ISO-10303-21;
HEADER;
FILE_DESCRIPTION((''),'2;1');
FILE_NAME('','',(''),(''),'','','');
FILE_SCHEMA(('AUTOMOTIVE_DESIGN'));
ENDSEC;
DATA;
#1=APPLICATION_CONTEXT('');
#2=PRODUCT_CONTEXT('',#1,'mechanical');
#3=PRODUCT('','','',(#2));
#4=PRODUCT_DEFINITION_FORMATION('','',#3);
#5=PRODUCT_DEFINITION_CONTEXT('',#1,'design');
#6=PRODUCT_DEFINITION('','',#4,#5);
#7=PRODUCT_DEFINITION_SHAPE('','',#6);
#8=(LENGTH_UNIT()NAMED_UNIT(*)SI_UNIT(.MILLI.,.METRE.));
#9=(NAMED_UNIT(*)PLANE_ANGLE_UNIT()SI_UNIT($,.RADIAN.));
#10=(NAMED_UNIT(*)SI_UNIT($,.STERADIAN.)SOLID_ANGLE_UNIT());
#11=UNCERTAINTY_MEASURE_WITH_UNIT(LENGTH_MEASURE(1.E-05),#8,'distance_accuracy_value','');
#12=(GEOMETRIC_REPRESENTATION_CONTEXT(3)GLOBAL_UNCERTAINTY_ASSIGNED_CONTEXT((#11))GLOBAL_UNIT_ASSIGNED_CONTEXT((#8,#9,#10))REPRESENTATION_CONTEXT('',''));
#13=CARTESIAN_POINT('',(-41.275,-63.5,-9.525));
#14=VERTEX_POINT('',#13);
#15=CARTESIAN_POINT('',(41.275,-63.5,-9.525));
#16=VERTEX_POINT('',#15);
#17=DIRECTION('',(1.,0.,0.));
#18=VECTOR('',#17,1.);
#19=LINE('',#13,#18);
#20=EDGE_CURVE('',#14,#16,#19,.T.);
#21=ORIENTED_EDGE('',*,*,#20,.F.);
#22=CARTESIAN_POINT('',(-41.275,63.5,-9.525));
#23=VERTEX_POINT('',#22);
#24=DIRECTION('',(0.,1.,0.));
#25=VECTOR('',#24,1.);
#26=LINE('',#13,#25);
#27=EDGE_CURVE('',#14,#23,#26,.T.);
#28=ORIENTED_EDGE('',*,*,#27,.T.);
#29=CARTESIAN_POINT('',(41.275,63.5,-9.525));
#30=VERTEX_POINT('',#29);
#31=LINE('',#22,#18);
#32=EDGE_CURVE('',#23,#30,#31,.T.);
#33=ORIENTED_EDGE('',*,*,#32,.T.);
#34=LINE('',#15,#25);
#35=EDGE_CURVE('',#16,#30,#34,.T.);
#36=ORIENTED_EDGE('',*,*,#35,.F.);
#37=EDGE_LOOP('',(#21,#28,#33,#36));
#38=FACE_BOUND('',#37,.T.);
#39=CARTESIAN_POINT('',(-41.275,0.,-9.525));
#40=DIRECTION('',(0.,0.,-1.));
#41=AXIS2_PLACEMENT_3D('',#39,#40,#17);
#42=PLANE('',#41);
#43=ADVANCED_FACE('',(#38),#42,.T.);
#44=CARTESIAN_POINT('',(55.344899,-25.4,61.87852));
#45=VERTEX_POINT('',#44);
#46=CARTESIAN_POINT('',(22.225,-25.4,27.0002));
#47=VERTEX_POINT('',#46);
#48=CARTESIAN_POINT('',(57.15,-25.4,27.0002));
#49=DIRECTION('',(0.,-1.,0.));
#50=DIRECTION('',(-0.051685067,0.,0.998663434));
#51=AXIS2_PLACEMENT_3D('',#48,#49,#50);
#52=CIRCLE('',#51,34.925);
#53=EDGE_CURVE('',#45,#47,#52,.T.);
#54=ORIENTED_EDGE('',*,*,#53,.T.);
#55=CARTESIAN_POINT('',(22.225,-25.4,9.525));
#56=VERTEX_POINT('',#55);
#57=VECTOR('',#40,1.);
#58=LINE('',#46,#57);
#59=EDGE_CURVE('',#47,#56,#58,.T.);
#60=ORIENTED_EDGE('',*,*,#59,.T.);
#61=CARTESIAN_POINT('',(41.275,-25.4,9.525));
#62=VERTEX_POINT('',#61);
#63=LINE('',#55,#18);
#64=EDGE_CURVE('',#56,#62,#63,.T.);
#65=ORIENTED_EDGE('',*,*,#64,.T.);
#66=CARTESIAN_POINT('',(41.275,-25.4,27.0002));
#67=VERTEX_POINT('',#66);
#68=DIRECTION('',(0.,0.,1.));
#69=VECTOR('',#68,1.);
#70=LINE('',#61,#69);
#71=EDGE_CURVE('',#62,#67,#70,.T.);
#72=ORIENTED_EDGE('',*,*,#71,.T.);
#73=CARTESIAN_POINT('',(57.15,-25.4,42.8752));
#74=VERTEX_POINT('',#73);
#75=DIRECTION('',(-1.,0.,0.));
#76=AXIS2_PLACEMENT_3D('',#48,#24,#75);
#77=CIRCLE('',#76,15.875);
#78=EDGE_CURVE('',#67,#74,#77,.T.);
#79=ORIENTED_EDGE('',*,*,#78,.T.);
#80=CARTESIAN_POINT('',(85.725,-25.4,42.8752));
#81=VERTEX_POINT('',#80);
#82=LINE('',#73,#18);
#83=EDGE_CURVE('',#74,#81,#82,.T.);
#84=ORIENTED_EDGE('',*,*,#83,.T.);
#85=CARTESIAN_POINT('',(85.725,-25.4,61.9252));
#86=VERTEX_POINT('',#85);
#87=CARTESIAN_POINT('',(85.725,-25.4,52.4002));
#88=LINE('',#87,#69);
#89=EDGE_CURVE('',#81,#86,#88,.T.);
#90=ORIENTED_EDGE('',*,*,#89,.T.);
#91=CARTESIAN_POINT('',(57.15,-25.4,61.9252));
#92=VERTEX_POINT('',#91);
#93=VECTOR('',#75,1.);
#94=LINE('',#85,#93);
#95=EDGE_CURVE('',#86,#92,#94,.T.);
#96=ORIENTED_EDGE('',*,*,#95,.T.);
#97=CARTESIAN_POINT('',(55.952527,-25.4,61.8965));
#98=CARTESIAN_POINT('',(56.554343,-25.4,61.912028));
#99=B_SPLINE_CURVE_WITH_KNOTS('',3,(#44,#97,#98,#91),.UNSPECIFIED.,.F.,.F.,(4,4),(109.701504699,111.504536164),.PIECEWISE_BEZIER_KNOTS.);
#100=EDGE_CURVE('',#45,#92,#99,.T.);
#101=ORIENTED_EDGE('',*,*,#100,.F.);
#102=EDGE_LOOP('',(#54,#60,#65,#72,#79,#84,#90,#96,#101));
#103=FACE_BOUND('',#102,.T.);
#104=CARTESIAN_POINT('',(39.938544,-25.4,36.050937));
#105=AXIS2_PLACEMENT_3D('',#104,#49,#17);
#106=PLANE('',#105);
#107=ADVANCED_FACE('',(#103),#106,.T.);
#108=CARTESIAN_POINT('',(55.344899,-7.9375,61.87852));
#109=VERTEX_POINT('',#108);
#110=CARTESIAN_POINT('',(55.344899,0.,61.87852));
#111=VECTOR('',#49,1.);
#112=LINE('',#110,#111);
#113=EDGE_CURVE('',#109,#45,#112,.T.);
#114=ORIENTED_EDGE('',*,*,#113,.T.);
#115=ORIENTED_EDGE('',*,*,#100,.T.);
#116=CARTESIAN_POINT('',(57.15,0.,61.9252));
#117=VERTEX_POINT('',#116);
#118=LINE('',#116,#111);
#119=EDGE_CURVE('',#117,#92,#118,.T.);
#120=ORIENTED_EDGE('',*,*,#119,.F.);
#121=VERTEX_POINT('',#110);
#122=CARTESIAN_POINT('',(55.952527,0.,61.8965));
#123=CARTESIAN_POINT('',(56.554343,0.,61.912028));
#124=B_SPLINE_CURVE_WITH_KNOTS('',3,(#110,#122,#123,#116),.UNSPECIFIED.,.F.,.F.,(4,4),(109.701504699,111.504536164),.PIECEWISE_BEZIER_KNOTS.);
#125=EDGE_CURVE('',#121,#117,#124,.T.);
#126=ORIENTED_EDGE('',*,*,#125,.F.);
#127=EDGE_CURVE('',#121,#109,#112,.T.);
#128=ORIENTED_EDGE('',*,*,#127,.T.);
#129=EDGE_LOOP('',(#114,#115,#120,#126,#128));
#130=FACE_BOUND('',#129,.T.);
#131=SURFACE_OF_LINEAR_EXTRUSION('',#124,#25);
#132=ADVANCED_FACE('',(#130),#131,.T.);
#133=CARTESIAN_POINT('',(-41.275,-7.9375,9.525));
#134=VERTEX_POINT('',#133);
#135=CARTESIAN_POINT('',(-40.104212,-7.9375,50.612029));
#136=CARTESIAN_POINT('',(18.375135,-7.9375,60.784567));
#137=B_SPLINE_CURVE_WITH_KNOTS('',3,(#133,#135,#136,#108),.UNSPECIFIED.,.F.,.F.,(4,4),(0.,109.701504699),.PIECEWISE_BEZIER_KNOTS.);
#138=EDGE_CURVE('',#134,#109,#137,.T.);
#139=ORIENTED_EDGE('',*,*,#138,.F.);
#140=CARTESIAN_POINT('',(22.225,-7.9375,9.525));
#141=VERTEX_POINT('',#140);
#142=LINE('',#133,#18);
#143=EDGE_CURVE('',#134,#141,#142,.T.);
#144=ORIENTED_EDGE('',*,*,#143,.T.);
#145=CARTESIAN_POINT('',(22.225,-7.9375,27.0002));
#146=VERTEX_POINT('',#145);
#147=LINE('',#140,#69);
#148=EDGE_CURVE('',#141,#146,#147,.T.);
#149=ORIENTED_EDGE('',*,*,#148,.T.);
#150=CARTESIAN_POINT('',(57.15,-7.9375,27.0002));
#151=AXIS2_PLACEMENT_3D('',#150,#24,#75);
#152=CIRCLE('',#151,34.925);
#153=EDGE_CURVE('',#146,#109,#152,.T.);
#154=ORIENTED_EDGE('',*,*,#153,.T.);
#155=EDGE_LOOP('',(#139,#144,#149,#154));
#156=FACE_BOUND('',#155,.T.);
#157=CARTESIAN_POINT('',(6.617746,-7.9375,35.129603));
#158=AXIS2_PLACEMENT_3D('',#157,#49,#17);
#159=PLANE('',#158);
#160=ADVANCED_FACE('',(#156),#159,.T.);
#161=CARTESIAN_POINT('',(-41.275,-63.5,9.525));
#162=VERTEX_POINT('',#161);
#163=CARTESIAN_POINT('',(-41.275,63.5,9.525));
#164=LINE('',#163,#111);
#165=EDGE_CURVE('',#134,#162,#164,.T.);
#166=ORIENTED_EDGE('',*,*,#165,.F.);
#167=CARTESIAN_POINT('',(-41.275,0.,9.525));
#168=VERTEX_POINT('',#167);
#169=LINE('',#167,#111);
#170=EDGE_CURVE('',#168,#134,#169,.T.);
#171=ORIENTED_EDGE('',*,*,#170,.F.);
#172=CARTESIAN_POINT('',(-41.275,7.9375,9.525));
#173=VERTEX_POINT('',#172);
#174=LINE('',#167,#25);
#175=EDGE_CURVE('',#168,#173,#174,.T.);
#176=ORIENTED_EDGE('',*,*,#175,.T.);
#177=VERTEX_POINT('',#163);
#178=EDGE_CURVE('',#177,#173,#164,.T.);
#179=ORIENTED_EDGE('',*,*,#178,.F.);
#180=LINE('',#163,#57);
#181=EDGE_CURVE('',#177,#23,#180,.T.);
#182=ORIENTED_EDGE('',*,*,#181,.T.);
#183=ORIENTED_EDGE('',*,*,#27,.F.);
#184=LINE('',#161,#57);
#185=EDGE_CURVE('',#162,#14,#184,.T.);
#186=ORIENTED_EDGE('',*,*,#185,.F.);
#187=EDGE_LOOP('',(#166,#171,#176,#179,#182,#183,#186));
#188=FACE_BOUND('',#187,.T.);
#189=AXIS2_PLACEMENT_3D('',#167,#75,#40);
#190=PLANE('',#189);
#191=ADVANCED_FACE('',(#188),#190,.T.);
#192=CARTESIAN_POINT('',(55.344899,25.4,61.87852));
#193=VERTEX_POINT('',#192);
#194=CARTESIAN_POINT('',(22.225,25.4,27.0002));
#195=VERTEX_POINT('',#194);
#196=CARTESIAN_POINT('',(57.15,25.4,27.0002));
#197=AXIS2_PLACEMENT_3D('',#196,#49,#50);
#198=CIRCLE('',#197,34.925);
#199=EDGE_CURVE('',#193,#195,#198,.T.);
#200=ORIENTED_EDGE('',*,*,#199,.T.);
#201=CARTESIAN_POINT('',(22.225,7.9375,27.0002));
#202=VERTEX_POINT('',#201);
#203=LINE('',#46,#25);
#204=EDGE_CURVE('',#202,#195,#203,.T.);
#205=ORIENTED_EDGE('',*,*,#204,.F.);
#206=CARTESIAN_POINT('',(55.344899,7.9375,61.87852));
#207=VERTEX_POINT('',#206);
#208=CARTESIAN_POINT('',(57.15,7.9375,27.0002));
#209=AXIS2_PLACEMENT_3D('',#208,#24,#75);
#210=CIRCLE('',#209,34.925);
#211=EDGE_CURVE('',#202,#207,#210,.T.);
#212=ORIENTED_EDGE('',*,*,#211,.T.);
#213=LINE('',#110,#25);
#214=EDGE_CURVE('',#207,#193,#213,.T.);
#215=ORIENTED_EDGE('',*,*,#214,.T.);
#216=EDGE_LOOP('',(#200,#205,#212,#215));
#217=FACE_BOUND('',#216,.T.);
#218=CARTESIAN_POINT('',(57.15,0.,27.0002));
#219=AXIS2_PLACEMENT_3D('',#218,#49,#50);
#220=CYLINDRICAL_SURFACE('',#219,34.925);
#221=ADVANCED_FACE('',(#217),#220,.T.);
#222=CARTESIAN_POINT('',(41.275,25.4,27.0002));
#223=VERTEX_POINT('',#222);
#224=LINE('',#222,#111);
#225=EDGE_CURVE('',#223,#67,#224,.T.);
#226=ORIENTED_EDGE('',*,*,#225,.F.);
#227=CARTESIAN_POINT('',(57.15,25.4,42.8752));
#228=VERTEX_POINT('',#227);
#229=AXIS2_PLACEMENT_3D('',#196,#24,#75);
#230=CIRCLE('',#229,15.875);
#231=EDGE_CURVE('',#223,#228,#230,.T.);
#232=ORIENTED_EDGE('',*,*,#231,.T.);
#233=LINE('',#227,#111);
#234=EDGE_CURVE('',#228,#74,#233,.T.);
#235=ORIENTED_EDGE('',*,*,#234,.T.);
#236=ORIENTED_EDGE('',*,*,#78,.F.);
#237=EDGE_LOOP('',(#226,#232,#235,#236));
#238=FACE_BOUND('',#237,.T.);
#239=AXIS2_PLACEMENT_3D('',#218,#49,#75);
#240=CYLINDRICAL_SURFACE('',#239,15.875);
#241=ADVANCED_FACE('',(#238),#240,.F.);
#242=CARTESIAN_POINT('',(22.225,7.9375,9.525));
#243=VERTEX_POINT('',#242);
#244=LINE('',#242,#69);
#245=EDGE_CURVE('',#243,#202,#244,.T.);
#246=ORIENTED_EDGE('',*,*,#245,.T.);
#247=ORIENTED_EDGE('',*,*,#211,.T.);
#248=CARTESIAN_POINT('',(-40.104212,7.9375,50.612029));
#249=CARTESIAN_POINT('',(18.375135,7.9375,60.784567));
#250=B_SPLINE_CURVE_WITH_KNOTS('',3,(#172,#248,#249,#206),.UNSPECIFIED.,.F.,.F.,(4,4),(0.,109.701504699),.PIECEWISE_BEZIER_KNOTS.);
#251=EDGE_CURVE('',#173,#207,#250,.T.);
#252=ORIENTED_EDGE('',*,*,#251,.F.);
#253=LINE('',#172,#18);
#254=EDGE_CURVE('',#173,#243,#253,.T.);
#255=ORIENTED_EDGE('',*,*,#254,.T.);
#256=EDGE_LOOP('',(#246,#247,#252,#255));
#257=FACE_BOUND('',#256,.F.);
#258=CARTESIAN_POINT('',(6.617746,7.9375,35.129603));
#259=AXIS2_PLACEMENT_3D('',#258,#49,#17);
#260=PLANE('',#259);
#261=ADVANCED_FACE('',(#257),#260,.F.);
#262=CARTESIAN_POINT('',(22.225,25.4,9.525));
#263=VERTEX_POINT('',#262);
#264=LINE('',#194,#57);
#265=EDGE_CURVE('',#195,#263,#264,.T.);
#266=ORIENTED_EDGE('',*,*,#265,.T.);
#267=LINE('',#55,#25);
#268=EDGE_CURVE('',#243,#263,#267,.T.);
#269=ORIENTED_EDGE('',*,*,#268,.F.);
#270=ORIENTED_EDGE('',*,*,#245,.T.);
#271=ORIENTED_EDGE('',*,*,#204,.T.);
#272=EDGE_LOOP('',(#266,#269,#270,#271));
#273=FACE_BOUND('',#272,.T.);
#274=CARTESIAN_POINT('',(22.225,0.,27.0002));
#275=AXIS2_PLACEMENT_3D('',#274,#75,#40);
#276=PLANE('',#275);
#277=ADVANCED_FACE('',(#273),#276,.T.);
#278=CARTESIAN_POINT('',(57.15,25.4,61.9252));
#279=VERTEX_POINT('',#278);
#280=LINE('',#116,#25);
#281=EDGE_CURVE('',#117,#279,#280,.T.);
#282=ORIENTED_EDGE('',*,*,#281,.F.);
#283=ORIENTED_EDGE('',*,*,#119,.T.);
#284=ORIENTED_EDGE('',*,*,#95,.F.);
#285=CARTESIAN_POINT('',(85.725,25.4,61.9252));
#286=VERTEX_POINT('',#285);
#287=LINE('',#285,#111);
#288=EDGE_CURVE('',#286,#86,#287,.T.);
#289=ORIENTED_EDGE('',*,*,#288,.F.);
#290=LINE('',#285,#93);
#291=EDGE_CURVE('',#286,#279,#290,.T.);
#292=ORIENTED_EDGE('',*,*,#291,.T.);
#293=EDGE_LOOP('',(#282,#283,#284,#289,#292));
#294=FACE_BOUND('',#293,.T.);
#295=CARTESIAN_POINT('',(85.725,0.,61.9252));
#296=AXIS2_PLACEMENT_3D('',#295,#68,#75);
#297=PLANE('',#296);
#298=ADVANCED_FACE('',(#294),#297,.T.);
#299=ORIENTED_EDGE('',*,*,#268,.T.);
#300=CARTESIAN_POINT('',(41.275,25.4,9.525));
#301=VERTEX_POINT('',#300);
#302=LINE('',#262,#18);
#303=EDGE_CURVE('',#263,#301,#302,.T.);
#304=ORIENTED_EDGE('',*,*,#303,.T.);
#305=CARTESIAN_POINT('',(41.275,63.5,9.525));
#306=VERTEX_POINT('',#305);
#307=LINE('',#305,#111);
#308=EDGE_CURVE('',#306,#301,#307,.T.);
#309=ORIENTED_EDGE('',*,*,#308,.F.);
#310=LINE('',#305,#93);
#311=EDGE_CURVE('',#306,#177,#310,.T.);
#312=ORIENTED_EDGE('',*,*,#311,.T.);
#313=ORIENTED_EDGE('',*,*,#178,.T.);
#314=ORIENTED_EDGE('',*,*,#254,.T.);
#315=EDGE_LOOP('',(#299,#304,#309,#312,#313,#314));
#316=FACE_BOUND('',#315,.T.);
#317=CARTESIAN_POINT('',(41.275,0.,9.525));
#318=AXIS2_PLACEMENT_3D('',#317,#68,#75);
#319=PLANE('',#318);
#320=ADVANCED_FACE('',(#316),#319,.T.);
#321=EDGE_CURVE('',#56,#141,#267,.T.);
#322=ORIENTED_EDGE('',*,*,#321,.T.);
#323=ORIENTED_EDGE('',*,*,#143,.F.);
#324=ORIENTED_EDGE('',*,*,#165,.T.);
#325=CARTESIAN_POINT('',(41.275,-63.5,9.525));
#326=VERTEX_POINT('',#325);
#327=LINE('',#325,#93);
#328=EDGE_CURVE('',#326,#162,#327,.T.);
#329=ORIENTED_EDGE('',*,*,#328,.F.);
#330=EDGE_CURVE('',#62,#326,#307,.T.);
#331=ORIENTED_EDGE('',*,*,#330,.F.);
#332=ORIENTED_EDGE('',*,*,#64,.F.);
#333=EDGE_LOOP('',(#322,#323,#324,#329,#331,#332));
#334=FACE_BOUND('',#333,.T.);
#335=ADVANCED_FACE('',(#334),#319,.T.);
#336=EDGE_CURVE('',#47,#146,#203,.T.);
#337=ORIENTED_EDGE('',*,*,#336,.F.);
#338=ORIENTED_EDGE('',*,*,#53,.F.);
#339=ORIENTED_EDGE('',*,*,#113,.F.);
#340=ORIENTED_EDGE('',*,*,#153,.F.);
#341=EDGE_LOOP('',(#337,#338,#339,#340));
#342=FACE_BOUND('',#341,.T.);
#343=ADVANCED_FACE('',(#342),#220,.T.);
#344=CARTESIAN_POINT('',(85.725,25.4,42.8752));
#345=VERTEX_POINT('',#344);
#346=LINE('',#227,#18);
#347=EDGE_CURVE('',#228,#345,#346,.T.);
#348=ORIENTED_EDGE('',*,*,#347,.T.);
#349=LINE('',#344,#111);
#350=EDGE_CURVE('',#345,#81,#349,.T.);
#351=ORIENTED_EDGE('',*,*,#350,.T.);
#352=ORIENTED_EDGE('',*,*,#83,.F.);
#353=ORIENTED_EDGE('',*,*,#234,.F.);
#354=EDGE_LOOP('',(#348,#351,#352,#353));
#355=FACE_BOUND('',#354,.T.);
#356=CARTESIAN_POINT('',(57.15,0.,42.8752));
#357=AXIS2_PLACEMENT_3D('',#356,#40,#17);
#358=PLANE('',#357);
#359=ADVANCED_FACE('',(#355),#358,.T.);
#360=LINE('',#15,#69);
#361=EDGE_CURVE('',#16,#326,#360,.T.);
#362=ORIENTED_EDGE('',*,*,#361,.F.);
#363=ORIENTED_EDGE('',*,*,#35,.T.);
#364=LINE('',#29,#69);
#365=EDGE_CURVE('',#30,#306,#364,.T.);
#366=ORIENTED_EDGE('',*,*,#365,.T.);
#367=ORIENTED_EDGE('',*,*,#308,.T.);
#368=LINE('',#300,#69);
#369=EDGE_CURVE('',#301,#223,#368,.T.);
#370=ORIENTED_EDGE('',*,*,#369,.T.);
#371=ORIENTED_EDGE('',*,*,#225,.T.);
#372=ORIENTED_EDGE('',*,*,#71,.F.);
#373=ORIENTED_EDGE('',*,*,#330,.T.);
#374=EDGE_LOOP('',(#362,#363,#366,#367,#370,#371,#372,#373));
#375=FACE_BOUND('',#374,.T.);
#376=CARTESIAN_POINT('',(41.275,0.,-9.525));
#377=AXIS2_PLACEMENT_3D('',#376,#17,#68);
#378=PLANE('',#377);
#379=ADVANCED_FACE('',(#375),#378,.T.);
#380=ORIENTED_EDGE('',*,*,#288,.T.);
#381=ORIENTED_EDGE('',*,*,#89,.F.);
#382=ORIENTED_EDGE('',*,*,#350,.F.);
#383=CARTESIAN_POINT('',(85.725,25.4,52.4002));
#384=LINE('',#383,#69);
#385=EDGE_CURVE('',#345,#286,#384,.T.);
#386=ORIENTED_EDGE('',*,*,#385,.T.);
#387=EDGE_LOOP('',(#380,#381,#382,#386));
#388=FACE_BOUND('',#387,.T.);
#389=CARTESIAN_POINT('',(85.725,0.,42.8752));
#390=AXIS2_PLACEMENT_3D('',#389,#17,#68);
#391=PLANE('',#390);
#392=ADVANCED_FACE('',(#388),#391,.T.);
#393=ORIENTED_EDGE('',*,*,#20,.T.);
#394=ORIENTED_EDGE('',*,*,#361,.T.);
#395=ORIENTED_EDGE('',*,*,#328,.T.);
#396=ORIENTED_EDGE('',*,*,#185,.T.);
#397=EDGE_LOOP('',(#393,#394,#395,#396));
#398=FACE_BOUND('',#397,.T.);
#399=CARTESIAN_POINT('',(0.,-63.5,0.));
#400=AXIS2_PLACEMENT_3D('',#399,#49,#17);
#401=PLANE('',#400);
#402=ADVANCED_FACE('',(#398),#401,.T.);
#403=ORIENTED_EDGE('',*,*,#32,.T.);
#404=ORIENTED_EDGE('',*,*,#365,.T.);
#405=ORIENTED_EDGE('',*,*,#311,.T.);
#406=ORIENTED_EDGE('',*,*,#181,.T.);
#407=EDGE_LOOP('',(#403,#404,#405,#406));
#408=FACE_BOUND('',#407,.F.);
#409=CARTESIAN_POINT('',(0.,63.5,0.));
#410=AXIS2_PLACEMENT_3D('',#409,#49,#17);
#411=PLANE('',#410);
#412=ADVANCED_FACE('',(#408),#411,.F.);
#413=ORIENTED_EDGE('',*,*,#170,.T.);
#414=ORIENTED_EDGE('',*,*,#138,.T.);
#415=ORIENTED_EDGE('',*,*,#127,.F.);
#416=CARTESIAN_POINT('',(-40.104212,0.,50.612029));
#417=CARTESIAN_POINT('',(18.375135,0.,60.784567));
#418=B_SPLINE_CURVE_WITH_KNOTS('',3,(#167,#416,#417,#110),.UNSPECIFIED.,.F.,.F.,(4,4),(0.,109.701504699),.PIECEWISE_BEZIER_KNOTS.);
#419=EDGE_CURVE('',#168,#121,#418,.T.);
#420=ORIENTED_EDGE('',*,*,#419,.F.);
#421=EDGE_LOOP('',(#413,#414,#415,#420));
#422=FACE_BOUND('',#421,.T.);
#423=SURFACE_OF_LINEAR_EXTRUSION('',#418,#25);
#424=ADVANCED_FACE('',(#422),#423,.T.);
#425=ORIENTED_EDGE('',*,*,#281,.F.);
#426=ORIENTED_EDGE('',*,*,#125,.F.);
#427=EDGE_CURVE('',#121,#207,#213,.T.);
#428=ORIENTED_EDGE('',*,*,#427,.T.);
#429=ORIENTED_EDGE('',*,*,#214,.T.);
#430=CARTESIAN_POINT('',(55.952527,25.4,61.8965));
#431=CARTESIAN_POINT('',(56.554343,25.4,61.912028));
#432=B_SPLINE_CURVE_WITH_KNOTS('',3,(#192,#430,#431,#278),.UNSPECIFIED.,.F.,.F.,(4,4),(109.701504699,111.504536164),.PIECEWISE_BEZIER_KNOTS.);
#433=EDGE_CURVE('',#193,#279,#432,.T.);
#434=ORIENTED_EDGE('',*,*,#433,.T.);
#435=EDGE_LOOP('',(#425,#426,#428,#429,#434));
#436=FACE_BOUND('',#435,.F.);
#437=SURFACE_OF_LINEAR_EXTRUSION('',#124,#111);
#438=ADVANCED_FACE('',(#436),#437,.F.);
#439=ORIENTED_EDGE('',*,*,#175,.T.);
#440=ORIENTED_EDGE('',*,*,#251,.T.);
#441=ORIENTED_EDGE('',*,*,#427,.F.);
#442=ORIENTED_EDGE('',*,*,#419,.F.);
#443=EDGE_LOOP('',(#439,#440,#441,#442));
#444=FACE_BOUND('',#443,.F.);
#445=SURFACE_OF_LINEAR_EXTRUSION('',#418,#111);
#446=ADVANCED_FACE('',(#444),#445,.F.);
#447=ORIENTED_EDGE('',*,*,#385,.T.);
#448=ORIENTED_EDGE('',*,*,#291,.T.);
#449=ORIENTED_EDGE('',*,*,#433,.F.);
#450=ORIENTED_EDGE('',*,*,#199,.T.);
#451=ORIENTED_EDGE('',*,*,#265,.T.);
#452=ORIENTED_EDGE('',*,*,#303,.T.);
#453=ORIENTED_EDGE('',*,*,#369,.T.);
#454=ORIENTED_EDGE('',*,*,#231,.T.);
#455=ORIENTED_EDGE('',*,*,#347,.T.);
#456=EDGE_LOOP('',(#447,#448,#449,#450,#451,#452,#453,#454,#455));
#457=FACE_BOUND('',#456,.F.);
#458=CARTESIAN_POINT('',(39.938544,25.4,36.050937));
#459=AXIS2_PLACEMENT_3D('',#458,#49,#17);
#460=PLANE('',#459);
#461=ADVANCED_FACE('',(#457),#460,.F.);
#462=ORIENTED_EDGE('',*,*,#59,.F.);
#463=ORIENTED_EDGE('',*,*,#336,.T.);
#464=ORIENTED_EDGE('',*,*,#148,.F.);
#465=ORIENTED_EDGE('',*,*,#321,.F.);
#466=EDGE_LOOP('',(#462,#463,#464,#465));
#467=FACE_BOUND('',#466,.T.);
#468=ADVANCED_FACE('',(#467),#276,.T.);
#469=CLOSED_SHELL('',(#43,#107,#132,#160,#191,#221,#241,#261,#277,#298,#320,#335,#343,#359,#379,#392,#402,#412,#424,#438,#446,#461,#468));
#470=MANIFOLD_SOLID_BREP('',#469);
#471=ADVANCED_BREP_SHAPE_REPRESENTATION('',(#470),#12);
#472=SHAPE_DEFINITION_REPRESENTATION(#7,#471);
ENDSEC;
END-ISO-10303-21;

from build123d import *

# Parameters (mm, degrees)
F1_DEPTH = 63.5
F0_W     = 25.4
F0_H     = 19.05
F2_DEPTH = 25.4
F3_DEPTH = 7.9375


with BuildPart() as f1:
    # F0 (on Front) → F1 (new body, symmetric)
    with BuildSketch(Plane.XZ):
        Polygon((41.275, -9.525), (41.275, 9.525), (22.225, 9.525), (-41.275, 9.525), (-41.275, -9.525), align=None)
    extrude(amount=F1_DEPTH, both=True)

    # F0 (on Front) → F2 (join, symmetric)
    with BuildSketch(Plane.XZ):
        with BuildLine():
            Line((22.225, 9.525), (41.275, 9.525))
            Line((41.275, 9.525), (41.275, 27.0002))
            ThreePointArc((41.275, 27.0002), (45.9246798487, 38.2255201513), (57.15, 42.8752))
            Line((57.15, 42.8752), (60.325, 42.8752))
            Line((60.325, 42.8752), (60.325, 61.9252))
            Line((60.325, 61.9252), (57.15, 61.9252))
            add(Edge.make_bspline(
                [(55.3448990391, 61.8785204229), (55.9525265065, 61.8965004125), (56.5543434747, 61.9120279552), (57.15, 61.9252)],
                knots=[109.7015046992, 109.7015046992, 109.7015046992, 109.7015046992, 111.5045361635, 111.5045361635, 111.5045361635, 111.5045361635], degree=3))
            ThreePointArc((55.3448990391, 61.8785204229), (31.8241359865, 51.0492381714), (22.225, 27.0002))
            Line((22.225, 27.0002), (22.225, 9.525))
        make_face()
        with Locations((73.025, 52.4002)):
            Rectangle(F0_W, F0_H)
    extrude(amount=F2_DEPTH, both=True)

    # F0 (on Front) → F3 (join, symmetric)
    with BuildSketch(Plane.XZ):
        with BuildLine():
            Line((-41.275, 9.525), (22.225, 9.525))
            Line((22.225, 9.525), (22.225, 27.0002))
            ThreePointArc((22.225, 27.0002), (31.8241359865, 51.0492381714), (55.3448990391, 61.8785204229))
            add(Edge.make_bspline(
                [(-41.275, 9.525), (-40.1042120828, 50.6120289683), (18.3751351779, 60.7845672918), (55.3448990391, 61.8785204229)],
                knots=[0, 0, 0, 0, 109.7015046992, 109.7015046992, 109.7015046992, 109.7015046992], degree=3))
        make_face()
    extrude(amount=F3_DEPTH, both=True)


solid = f1.part
